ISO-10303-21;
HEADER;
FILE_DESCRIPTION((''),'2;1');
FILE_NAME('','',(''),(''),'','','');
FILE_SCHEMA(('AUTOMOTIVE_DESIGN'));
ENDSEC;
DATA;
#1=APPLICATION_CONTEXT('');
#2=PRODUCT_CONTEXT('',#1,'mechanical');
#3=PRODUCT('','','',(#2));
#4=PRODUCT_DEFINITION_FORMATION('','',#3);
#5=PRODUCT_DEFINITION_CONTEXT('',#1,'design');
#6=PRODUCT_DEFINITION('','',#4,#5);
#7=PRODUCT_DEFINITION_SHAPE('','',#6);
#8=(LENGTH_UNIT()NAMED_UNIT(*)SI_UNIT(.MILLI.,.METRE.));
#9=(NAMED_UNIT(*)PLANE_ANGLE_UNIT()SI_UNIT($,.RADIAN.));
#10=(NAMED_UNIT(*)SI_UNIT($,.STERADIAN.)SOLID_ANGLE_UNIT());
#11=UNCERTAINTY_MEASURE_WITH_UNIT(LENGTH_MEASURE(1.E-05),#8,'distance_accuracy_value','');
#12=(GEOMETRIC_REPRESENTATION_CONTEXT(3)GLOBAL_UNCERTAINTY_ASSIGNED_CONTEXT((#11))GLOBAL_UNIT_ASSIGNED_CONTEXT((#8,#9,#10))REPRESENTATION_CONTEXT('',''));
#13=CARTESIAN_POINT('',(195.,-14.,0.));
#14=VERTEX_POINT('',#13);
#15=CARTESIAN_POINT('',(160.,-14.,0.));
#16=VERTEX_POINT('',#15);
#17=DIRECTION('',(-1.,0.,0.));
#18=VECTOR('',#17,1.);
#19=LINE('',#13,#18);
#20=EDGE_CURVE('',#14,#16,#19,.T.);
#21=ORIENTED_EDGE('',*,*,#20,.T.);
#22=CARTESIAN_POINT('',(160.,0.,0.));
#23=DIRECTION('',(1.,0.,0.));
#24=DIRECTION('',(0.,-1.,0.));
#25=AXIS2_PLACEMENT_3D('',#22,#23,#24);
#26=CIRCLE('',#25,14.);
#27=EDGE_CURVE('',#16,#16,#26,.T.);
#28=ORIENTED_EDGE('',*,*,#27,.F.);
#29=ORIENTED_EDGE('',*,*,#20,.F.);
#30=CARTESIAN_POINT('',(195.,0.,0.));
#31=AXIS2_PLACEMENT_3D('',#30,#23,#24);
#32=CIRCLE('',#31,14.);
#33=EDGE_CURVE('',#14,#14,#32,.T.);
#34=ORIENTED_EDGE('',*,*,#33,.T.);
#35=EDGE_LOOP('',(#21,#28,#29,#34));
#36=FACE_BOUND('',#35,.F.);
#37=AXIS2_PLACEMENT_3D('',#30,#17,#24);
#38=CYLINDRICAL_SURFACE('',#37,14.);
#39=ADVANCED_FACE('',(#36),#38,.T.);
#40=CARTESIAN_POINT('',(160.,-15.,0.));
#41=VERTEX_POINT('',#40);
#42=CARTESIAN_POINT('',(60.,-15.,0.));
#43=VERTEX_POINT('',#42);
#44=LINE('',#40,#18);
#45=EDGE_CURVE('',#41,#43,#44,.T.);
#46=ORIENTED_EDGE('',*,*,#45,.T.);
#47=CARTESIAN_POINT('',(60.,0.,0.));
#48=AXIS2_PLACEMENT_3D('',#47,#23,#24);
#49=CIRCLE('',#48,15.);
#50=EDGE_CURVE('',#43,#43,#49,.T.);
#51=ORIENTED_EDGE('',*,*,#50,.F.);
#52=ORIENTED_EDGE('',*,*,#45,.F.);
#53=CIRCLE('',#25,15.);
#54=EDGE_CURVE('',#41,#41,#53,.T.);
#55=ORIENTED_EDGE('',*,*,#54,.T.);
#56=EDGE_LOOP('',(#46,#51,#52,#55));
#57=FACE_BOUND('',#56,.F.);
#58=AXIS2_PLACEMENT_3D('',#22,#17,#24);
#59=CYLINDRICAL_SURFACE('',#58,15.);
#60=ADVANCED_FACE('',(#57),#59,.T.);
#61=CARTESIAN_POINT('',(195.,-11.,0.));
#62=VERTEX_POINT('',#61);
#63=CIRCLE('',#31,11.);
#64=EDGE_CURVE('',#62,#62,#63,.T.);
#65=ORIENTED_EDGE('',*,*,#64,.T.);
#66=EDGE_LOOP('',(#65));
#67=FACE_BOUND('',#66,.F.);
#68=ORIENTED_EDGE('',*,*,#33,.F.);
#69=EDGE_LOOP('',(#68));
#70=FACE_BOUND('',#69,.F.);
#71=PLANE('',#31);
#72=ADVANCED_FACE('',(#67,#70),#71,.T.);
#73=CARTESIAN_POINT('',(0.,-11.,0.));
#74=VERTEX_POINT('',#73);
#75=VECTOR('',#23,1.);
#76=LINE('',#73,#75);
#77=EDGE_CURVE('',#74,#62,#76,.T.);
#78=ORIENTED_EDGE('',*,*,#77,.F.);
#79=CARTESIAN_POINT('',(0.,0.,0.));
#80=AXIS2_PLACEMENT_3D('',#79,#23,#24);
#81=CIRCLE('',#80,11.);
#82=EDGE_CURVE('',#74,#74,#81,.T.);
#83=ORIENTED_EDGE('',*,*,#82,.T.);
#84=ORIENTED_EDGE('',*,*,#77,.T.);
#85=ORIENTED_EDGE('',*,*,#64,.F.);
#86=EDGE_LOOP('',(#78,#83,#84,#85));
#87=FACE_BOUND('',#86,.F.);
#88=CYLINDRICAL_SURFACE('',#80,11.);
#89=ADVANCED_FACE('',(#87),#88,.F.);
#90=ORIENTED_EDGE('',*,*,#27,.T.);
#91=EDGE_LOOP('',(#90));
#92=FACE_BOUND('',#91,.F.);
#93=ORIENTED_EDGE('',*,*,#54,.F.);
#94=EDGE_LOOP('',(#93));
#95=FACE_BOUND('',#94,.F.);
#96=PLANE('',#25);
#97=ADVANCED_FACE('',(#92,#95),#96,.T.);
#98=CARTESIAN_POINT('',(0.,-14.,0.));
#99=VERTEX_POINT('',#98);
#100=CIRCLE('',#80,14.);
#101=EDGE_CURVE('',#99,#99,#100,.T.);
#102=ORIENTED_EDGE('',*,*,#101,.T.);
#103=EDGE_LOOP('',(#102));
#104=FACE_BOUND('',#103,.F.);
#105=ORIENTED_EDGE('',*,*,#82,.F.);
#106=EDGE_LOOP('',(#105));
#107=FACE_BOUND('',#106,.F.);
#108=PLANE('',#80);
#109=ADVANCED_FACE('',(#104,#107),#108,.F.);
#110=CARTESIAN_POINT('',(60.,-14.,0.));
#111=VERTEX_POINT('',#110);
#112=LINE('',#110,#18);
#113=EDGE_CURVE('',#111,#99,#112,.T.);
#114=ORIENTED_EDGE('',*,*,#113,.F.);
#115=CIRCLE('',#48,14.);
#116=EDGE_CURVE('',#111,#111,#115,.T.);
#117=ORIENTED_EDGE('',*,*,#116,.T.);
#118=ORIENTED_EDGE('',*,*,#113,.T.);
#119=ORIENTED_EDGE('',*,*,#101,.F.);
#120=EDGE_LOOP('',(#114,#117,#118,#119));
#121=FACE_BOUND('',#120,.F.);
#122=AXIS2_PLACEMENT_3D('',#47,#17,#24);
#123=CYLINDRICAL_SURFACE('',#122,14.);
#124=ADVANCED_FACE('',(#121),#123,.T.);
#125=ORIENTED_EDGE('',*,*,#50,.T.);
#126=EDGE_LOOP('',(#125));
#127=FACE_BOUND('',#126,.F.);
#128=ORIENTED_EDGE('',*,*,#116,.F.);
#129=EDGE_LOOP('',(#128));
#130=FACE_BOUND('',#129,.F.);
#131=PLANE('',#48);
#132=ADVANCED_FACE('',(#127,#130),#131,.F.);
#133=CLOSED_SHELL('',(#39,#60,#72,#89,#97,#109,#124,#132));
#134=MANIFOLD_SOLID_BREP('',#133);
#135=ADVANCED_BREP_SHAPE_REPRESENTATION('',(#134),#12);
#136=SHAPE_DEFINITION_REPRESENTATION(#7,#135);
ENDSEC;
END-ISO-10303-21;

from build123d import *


with BuildPart() as part:
    # Sketch → Revolution (revolve)
    with BuildSketch(Plane.XY):
        Polygon((0, -11), (195, -11), (195, -14), (160, -14), (160, -15), (60, -15), (60, -14), (0, -14), align=None)
    revolve(axis=Axis((0, 0, 0), (1, 0, 0)))


solid = part.part
